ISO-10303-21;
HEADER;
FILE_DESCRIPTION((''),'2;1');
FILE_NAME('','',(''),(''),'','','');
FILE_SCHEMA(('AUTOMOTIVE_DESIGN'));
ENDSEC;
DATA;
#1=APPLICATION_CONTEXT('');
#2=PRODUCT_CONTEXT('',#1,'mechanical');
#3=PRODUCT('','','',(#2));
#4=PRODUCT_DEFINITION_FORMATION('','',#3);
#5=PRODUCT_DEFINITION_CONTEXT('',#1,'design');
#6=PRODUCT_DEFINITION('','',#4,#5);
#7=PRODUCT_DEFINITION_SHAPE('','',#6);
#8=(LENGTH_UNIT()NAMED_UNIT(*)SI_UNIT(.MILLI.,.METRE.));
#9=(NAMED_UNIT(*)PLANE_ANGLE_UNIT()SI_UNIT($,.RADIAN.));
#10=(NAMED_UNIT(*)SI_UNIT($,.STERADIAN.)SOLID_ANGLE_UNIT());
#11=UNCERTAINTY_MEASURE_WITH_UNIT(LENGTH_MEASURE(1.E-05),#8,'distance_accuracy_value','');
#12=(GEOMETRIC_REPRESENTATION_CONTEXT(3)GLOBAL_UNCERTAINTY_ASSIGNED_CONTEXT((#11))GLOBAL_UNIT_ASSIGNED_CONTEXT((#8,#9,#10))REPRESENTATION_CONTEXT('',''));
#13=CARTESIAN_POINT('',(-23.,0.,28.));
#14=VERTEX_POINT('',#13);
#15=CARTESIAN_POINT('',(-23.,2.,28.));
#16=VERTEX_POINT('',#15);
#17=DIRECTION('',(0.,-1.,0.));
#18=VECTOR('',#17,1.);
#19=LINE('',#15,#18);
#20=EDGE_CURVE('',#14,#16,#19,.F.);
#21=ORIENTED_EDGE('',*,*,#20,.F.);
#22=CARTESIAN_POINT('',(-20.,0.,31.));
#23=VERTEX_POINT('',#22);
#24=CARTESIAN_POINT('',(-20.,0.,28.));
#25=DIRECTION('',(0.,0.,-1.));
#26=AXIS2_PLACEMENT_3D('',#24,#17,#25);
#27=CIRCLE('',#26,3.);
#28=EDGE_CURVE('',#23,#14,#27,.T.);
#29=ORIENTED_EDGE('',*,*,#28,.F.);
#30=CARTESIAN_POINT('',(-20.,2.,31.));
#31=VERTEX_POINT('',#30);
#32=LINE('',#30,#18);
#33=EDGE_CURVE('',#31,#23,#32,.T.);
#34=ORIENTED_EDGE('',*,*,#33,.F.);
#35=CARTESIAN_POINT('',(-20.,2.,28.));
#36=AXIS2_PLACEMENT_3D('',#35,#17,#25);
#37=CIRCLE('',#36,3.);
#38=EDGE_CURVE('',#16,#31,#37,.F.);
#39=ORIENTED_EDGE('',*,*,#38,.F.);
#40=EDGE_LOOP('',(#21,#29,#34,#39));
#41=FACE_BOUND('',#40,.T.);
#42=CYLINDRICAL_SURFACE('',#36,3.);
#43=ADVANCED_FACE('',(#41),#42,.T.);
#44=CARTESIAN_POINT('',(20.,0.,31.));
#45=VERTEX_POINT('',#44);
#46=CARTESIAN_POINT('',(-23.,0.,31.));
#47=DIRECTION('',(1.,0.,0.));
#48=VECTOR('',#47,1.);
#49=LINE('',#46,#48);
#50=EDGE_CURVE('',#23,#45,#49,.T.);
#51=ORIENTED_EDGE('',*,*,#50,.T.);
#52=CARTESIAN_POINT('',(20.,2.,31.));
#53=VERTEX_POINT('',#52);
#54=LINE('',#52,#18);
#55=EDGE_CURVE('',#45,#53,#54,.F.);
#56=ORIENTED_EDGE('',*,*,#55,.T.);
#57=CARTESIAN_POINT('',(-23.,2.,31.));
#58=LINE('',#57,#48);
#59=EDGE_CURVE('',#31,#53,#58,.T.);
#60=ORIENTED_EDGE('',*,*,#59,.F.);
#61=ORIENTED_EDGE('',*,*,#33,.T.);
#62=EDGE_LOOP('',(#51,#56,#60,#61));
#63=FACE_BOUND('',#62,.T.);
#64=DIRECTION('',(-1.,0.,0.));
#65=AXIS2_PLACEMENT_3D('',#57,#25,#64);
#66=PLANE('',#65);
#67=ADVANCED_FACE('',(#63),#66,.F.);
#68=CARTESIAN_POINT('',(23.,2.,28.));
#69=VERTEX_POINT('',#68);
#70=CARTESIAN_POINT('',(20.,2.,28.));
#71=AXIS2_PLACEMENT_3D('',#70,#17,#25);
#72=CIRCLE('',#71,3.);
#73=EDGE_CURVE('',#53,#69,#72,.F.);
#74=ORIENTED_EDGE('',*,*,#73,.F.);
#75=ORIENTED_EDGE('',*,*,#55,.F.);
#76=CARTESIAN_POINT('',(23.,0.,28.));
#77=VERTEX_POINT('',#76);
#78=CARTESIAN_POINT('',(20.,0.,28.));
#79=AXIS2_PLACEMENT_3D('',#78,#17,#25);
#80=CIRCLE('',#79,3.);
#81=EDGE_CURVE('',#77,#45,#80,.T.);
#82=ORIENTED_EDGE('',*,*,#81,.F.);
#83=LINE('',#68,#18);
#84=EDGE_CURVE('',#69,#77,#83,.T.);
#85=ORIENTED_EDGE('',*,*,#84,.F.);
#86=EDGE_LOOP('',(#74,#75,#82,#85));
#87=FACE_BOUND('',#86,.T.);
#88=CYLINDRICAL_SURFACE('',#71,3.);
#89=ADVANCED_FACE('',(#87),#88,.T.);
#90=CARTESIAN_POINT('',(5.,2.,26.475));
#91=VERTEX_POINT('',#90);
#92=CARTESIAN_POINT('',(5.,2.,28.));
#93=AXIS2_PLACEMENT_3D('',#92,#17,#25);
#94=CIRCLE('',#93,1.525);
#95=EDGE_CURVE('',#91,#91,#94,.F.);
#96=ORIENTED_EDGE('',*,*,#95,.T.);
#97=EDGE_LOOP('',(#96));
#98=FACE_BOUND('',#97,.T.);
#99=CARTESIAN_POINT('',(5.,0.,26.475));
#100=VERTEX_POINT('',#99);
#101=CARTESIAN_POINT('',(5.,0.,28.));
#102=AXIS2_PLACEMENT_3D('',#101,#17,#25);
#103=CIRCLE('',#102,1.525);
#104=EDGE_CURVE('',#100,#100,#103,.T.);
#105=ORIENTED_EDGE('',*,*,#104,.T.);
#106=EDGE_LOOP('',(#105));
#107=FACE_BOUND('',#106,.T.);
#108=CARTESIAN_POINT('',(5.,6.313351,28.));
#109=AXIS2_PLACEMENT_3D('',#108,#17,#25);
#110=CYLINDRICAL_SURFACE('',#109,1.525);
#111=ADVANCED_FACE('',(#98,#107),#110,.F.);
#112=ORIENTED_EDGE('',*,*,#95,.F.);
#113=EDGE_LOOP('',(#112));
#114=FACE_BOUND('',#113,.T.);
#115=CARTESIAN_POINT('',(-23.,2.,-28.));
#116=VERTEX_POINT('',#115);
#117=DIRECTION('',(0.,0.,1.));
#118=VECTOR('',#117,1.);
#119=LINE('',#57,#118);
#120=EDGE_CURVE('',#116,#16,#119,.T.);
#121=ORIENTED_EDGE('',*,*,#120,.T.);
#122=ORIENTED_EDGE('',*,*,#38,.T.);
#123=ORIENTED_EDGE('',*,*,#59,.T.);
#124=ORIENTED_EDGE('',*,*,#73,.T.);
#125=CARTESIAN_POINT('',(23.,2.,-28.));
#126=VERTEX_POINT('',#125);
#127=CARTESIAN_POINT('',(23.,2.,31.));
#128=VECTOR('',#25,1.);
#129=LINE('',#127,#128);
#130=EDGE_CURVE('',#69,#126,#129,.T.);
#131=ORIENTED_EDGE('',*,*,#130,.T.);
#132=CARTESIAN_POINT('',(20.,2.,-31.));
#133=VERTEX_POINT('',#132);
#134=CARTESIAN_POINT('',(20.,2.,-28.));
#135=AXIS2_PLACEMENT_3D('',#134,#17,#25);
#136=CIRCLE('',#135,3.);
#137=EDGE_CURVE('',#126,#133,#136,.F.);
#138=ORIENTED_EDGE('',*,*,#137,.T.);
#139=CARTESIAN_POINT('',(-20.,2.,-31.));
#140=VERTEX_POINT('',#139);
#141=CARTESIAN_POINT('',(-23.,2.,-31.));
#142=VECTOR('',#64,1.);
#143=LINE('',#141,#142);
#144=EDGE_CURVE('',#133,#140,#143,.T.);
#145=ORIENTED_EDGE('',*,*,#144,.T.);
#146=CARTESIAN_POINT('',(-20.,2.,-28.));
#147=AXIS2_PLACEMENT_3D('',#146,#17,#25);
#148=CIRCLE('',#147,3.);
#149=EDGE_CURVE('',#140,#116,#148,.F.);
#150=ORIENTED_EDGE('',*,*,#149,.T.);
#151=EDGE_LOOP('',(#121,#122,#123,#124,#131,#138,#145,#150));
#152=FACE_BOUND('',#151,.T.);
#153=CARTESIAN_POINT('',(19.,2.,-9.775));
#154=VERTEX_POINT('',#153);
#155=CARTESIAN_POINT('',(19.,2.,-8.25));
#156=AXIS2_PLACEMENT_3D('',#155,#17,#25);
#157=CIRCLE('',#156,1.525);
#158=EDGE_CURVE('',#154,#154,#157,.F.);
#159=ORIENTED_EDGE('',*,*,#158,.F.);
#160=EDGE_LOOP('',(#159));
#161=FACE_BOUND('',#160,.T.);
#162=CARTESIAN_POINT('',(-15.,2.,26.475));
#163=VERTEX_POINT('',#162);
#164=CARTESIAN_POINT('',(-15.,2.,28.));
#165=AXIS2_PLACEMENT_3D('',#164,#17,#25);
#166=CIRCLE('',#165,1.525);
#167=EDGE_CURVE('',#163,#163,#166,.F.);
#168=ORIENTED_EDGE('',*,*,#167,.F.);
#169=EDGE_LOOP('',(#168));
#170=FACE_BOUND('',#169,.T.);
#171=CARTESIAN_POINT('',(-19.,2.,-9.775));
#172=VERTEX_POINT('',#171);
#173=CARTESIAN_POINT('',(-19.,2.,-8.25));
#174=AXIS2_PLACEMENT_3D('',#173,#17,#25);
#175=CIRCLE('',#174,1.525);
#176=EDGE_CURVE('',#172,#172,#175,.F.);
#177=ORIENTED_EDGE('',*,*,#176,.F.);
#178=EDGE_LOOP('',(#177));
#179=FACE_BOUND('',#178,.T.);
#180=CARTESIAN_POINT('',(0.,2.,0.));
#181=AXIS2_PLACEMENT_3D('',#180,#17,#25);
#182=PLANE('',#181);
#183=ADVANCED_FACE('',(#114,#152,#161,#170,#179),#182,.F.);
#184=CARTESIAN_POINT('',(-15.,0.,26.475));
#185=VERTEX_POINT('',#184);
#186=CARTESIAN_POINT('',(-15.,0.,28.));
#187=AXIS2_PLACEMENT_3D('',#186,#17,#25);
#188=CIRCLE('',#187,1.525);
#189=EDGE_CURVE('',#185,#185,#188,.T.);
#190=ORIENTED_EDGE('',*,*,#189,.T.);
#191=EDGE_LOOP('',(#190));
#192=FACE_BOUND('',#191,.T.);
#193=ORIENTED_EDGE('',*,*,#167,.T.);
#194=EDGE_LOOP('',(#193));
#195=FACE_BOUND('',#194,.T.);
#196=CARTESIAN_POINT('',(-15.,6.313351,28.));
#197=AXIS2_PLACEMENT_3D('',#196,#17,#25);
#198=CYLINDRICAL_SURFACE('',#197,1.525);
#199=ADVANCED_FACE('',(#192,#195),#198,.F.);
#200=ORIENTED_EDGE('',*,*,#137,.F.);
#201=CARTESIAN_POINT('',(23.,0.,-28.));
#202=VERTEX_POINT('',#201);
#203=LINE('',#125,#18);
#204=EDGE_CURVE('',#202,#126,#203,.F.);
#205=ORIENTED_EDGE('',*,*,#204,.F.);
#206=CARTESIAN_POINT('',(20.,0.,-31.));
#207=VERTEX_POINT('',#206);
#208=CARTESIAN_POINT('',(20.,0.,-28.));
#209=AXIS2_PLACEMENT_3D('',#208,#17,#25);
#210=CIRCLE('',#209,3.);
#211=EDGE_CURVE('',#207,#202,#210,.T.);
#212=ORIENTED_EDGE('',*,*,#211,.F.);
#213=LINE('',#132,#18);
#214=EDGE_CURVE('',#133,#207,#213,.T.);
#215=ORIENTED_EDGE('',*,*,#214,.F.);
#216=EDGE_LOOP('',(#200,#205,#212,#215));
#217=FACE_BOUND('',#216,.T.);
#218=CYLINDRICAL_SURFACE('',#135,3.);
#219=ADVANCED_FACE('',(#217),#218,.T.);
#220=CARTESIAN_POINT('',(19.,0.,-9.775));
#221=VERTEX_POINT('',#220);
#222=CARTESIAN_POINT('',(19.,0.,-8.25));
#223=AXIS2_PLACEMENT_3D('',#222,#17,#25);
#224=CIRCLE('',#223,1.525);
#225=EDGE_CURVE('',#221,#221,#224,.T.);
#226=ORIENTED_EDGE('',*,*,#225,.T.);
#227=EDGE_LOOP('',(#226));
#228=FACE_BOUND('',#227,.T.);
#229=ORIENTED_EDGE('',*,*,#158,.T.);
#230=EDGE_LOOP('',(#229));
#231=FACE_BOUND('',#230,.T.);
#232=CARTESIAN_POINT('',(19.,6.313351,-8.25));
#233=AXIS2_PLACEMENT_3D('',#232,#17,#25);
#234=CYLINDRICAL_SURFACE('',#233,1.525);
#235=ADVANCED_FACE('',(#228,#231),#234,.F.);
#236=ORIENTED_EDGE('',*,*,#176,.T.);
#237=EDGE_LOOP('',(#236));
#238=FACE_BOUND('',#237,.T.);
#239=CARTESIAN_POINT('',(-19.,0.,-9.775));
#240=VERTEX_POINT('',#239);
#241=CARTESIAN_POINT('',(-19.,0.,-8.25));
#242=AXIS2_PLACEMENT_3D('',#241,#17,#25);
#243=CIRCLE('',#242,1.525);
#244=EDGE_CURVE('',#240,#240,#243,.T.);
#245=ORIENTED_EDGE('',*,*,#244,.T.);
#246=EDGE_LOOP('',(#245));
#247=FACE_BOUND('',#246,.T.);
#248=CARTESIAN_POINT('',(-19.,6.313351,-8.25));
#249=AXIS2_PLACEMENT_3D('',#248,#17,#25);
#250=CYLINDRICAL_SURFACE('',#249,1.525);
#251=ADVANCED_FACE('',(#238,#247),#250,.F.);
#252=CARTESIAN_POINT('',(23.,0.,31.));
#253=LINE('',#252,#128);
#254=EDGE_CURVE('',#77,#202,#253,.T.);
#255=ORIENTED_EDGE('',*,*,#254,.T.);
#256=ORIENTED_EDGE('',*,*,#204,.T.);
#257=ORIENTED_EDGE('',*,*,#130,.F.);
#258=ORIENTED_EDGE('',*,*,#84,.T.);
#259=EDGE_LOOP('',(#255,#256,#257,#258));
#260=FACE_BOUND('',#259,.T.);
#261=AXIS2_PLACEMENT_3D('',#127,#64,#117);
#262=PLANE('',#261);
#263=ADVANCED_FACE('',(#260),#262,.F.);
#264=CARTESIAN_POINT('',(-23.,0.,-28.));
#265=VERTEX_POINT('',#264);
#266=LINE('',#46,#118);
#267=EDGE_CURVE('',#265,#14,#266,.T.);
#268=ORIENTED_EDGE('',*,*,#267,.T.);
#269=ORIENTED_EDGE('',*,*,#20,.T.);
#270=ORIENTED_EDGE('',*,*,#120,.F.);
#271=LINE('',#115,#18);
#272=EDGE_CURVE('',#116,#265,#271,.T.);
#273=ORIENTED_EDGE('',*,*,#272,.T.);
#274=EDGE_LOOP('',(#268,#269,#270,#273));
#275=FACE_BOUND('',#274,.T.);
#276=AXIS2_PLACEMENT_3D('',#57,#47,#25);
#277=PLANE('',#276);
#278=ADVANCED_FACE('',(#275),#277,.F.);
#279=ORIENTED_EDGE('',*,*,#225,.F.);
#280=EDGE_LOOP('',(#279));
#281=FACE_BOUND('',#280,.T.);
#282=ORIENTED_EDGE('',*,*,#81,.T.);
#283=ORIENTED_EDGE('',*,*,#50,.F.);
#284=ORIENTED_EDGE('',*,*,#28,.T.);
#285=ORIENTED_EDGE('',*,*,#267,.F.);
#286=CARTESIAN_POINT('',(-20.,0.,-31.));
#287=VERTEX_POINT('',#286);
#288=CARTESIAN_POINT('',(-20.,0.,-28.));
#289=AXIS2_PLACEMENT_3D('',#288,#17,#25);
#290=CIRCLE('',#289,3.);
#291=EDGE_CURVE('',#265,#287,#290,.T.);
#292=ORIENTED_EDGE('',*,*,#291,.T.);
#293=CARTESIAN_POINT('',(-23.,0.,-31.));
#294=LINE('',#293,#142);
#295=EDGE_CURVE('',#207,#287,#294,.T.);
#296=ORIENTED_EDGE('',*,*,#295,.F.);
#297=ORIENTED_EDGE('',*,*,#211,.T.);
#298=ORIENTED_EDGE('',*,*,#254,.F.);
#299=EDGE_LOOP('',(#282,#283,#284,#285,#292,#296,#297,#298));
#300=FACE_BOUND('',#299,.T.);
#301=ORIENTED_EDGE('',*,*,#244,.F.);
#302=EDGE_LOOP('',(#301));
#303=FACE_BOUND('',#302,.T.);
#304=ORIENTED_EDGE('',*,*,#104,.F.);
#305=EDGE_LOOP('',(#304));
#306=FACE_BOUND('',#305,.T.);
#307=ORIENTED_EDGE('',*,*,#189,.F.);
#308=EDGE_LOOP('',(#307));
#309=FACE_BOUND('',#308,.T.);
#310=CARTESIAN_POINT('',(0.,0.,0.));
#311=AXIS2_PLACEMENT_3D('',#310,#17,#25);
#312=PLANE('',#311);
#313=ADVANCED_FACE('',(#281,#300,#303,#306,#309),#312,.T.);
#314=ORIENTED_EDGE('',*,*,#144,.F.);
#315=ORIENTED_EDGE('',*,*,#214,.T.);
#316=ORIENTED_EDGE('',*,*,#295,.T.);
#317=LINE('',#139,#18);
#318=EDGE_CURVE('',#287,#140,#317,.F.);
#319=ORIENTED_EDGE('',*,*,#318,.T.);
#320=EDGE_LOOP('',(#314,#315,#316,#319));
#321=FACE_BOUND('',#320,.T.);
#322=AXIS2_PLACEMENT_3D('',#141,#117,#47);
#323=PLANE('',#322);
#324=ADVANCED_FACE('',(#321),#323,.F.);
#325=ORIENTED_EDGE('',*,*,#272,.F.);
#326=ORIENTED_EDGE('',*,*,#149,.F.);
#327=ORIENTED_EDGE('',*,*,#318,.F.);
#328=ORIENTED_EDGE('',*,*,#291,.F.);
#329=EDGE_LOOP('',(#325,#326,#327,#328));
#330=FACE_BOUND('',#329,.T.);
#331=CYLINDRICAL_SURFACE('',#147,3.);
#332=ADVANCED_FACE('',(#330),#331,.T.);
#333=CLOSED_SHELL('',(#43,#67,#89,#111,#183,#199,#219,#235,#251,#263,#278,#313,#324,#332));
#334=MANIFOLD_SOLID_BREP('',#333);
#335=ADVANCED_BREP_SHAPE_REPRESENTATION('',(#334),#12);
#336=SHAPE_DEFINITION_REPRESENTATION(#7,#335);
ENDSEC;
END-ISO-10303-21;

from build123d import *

# Parameters (mm, degrees)
SKETCH_1_W          = 46
SKETCH_1_H          = 62
EXTRUDE_1_DEPTH     = 2
SKETCH_2_R          = 1.525
CUT_EXTRUDE_1_DEPTH = 2
SKETCH_3_R          = 1.525
CUT_EXTRUDE_2_DEPTH = 2
FILLET_1_R          = 3


with BuildPart() as part:
    # 草图1 → 凸台-拉伸1 (new body)
    with BuildSketch(Plane(origin=(0, 0, 0), x_dir=(1, 0, 0), z_dir=(0, 1, 0))):
        Rectangle(SKETCH_1_W, SKETCH_1_H)
    extrude(amount=EXTRUDE_1_DEPTH)

    # 草图2 → 切除-拉伸1 (cut)
    with BuildSketch(Plane.XZ):
        with Locations(Location((19, -8.25, 0), (0, 0, 270))):
            Circle(SKETCH_2_R)
        with Locations(Location((-19, -8.25, 0), (0, 0, 270))):
            Circle(SKETCH_2_R)
    extrude(amount=-CUT_EXTRUDE_1_DEPTH, mode=Mode.SUBTRACT)

    # 草图3 → 切除-拉伸2 (cut)
    with BuildSketch(Plane.XZ):
        with Locations(Location((5, 28, 0), (0, 0, 270))):
            Circle(SKETCH_3_R)
        with Locations(Location((-15, 28, 0), (0, 0, 270))):
            Circle(SKETCH_3_R)
    extrude(amount=-CUT_EXTRUDE_2_DEPTH, mode=Mode.SUBTRACT)

    # 圆角1
    fillet_1_edges = [part.edges().sort_by_distance(p)[0] for p in [
        (23, 1, 31),
        (-23, 1, 31),
        (-23, 1, -31),
        (23, 1, -31),
    ]]
    fillet(fillet_1_edges, radius=FILLET_1_R)


solid = part.part
